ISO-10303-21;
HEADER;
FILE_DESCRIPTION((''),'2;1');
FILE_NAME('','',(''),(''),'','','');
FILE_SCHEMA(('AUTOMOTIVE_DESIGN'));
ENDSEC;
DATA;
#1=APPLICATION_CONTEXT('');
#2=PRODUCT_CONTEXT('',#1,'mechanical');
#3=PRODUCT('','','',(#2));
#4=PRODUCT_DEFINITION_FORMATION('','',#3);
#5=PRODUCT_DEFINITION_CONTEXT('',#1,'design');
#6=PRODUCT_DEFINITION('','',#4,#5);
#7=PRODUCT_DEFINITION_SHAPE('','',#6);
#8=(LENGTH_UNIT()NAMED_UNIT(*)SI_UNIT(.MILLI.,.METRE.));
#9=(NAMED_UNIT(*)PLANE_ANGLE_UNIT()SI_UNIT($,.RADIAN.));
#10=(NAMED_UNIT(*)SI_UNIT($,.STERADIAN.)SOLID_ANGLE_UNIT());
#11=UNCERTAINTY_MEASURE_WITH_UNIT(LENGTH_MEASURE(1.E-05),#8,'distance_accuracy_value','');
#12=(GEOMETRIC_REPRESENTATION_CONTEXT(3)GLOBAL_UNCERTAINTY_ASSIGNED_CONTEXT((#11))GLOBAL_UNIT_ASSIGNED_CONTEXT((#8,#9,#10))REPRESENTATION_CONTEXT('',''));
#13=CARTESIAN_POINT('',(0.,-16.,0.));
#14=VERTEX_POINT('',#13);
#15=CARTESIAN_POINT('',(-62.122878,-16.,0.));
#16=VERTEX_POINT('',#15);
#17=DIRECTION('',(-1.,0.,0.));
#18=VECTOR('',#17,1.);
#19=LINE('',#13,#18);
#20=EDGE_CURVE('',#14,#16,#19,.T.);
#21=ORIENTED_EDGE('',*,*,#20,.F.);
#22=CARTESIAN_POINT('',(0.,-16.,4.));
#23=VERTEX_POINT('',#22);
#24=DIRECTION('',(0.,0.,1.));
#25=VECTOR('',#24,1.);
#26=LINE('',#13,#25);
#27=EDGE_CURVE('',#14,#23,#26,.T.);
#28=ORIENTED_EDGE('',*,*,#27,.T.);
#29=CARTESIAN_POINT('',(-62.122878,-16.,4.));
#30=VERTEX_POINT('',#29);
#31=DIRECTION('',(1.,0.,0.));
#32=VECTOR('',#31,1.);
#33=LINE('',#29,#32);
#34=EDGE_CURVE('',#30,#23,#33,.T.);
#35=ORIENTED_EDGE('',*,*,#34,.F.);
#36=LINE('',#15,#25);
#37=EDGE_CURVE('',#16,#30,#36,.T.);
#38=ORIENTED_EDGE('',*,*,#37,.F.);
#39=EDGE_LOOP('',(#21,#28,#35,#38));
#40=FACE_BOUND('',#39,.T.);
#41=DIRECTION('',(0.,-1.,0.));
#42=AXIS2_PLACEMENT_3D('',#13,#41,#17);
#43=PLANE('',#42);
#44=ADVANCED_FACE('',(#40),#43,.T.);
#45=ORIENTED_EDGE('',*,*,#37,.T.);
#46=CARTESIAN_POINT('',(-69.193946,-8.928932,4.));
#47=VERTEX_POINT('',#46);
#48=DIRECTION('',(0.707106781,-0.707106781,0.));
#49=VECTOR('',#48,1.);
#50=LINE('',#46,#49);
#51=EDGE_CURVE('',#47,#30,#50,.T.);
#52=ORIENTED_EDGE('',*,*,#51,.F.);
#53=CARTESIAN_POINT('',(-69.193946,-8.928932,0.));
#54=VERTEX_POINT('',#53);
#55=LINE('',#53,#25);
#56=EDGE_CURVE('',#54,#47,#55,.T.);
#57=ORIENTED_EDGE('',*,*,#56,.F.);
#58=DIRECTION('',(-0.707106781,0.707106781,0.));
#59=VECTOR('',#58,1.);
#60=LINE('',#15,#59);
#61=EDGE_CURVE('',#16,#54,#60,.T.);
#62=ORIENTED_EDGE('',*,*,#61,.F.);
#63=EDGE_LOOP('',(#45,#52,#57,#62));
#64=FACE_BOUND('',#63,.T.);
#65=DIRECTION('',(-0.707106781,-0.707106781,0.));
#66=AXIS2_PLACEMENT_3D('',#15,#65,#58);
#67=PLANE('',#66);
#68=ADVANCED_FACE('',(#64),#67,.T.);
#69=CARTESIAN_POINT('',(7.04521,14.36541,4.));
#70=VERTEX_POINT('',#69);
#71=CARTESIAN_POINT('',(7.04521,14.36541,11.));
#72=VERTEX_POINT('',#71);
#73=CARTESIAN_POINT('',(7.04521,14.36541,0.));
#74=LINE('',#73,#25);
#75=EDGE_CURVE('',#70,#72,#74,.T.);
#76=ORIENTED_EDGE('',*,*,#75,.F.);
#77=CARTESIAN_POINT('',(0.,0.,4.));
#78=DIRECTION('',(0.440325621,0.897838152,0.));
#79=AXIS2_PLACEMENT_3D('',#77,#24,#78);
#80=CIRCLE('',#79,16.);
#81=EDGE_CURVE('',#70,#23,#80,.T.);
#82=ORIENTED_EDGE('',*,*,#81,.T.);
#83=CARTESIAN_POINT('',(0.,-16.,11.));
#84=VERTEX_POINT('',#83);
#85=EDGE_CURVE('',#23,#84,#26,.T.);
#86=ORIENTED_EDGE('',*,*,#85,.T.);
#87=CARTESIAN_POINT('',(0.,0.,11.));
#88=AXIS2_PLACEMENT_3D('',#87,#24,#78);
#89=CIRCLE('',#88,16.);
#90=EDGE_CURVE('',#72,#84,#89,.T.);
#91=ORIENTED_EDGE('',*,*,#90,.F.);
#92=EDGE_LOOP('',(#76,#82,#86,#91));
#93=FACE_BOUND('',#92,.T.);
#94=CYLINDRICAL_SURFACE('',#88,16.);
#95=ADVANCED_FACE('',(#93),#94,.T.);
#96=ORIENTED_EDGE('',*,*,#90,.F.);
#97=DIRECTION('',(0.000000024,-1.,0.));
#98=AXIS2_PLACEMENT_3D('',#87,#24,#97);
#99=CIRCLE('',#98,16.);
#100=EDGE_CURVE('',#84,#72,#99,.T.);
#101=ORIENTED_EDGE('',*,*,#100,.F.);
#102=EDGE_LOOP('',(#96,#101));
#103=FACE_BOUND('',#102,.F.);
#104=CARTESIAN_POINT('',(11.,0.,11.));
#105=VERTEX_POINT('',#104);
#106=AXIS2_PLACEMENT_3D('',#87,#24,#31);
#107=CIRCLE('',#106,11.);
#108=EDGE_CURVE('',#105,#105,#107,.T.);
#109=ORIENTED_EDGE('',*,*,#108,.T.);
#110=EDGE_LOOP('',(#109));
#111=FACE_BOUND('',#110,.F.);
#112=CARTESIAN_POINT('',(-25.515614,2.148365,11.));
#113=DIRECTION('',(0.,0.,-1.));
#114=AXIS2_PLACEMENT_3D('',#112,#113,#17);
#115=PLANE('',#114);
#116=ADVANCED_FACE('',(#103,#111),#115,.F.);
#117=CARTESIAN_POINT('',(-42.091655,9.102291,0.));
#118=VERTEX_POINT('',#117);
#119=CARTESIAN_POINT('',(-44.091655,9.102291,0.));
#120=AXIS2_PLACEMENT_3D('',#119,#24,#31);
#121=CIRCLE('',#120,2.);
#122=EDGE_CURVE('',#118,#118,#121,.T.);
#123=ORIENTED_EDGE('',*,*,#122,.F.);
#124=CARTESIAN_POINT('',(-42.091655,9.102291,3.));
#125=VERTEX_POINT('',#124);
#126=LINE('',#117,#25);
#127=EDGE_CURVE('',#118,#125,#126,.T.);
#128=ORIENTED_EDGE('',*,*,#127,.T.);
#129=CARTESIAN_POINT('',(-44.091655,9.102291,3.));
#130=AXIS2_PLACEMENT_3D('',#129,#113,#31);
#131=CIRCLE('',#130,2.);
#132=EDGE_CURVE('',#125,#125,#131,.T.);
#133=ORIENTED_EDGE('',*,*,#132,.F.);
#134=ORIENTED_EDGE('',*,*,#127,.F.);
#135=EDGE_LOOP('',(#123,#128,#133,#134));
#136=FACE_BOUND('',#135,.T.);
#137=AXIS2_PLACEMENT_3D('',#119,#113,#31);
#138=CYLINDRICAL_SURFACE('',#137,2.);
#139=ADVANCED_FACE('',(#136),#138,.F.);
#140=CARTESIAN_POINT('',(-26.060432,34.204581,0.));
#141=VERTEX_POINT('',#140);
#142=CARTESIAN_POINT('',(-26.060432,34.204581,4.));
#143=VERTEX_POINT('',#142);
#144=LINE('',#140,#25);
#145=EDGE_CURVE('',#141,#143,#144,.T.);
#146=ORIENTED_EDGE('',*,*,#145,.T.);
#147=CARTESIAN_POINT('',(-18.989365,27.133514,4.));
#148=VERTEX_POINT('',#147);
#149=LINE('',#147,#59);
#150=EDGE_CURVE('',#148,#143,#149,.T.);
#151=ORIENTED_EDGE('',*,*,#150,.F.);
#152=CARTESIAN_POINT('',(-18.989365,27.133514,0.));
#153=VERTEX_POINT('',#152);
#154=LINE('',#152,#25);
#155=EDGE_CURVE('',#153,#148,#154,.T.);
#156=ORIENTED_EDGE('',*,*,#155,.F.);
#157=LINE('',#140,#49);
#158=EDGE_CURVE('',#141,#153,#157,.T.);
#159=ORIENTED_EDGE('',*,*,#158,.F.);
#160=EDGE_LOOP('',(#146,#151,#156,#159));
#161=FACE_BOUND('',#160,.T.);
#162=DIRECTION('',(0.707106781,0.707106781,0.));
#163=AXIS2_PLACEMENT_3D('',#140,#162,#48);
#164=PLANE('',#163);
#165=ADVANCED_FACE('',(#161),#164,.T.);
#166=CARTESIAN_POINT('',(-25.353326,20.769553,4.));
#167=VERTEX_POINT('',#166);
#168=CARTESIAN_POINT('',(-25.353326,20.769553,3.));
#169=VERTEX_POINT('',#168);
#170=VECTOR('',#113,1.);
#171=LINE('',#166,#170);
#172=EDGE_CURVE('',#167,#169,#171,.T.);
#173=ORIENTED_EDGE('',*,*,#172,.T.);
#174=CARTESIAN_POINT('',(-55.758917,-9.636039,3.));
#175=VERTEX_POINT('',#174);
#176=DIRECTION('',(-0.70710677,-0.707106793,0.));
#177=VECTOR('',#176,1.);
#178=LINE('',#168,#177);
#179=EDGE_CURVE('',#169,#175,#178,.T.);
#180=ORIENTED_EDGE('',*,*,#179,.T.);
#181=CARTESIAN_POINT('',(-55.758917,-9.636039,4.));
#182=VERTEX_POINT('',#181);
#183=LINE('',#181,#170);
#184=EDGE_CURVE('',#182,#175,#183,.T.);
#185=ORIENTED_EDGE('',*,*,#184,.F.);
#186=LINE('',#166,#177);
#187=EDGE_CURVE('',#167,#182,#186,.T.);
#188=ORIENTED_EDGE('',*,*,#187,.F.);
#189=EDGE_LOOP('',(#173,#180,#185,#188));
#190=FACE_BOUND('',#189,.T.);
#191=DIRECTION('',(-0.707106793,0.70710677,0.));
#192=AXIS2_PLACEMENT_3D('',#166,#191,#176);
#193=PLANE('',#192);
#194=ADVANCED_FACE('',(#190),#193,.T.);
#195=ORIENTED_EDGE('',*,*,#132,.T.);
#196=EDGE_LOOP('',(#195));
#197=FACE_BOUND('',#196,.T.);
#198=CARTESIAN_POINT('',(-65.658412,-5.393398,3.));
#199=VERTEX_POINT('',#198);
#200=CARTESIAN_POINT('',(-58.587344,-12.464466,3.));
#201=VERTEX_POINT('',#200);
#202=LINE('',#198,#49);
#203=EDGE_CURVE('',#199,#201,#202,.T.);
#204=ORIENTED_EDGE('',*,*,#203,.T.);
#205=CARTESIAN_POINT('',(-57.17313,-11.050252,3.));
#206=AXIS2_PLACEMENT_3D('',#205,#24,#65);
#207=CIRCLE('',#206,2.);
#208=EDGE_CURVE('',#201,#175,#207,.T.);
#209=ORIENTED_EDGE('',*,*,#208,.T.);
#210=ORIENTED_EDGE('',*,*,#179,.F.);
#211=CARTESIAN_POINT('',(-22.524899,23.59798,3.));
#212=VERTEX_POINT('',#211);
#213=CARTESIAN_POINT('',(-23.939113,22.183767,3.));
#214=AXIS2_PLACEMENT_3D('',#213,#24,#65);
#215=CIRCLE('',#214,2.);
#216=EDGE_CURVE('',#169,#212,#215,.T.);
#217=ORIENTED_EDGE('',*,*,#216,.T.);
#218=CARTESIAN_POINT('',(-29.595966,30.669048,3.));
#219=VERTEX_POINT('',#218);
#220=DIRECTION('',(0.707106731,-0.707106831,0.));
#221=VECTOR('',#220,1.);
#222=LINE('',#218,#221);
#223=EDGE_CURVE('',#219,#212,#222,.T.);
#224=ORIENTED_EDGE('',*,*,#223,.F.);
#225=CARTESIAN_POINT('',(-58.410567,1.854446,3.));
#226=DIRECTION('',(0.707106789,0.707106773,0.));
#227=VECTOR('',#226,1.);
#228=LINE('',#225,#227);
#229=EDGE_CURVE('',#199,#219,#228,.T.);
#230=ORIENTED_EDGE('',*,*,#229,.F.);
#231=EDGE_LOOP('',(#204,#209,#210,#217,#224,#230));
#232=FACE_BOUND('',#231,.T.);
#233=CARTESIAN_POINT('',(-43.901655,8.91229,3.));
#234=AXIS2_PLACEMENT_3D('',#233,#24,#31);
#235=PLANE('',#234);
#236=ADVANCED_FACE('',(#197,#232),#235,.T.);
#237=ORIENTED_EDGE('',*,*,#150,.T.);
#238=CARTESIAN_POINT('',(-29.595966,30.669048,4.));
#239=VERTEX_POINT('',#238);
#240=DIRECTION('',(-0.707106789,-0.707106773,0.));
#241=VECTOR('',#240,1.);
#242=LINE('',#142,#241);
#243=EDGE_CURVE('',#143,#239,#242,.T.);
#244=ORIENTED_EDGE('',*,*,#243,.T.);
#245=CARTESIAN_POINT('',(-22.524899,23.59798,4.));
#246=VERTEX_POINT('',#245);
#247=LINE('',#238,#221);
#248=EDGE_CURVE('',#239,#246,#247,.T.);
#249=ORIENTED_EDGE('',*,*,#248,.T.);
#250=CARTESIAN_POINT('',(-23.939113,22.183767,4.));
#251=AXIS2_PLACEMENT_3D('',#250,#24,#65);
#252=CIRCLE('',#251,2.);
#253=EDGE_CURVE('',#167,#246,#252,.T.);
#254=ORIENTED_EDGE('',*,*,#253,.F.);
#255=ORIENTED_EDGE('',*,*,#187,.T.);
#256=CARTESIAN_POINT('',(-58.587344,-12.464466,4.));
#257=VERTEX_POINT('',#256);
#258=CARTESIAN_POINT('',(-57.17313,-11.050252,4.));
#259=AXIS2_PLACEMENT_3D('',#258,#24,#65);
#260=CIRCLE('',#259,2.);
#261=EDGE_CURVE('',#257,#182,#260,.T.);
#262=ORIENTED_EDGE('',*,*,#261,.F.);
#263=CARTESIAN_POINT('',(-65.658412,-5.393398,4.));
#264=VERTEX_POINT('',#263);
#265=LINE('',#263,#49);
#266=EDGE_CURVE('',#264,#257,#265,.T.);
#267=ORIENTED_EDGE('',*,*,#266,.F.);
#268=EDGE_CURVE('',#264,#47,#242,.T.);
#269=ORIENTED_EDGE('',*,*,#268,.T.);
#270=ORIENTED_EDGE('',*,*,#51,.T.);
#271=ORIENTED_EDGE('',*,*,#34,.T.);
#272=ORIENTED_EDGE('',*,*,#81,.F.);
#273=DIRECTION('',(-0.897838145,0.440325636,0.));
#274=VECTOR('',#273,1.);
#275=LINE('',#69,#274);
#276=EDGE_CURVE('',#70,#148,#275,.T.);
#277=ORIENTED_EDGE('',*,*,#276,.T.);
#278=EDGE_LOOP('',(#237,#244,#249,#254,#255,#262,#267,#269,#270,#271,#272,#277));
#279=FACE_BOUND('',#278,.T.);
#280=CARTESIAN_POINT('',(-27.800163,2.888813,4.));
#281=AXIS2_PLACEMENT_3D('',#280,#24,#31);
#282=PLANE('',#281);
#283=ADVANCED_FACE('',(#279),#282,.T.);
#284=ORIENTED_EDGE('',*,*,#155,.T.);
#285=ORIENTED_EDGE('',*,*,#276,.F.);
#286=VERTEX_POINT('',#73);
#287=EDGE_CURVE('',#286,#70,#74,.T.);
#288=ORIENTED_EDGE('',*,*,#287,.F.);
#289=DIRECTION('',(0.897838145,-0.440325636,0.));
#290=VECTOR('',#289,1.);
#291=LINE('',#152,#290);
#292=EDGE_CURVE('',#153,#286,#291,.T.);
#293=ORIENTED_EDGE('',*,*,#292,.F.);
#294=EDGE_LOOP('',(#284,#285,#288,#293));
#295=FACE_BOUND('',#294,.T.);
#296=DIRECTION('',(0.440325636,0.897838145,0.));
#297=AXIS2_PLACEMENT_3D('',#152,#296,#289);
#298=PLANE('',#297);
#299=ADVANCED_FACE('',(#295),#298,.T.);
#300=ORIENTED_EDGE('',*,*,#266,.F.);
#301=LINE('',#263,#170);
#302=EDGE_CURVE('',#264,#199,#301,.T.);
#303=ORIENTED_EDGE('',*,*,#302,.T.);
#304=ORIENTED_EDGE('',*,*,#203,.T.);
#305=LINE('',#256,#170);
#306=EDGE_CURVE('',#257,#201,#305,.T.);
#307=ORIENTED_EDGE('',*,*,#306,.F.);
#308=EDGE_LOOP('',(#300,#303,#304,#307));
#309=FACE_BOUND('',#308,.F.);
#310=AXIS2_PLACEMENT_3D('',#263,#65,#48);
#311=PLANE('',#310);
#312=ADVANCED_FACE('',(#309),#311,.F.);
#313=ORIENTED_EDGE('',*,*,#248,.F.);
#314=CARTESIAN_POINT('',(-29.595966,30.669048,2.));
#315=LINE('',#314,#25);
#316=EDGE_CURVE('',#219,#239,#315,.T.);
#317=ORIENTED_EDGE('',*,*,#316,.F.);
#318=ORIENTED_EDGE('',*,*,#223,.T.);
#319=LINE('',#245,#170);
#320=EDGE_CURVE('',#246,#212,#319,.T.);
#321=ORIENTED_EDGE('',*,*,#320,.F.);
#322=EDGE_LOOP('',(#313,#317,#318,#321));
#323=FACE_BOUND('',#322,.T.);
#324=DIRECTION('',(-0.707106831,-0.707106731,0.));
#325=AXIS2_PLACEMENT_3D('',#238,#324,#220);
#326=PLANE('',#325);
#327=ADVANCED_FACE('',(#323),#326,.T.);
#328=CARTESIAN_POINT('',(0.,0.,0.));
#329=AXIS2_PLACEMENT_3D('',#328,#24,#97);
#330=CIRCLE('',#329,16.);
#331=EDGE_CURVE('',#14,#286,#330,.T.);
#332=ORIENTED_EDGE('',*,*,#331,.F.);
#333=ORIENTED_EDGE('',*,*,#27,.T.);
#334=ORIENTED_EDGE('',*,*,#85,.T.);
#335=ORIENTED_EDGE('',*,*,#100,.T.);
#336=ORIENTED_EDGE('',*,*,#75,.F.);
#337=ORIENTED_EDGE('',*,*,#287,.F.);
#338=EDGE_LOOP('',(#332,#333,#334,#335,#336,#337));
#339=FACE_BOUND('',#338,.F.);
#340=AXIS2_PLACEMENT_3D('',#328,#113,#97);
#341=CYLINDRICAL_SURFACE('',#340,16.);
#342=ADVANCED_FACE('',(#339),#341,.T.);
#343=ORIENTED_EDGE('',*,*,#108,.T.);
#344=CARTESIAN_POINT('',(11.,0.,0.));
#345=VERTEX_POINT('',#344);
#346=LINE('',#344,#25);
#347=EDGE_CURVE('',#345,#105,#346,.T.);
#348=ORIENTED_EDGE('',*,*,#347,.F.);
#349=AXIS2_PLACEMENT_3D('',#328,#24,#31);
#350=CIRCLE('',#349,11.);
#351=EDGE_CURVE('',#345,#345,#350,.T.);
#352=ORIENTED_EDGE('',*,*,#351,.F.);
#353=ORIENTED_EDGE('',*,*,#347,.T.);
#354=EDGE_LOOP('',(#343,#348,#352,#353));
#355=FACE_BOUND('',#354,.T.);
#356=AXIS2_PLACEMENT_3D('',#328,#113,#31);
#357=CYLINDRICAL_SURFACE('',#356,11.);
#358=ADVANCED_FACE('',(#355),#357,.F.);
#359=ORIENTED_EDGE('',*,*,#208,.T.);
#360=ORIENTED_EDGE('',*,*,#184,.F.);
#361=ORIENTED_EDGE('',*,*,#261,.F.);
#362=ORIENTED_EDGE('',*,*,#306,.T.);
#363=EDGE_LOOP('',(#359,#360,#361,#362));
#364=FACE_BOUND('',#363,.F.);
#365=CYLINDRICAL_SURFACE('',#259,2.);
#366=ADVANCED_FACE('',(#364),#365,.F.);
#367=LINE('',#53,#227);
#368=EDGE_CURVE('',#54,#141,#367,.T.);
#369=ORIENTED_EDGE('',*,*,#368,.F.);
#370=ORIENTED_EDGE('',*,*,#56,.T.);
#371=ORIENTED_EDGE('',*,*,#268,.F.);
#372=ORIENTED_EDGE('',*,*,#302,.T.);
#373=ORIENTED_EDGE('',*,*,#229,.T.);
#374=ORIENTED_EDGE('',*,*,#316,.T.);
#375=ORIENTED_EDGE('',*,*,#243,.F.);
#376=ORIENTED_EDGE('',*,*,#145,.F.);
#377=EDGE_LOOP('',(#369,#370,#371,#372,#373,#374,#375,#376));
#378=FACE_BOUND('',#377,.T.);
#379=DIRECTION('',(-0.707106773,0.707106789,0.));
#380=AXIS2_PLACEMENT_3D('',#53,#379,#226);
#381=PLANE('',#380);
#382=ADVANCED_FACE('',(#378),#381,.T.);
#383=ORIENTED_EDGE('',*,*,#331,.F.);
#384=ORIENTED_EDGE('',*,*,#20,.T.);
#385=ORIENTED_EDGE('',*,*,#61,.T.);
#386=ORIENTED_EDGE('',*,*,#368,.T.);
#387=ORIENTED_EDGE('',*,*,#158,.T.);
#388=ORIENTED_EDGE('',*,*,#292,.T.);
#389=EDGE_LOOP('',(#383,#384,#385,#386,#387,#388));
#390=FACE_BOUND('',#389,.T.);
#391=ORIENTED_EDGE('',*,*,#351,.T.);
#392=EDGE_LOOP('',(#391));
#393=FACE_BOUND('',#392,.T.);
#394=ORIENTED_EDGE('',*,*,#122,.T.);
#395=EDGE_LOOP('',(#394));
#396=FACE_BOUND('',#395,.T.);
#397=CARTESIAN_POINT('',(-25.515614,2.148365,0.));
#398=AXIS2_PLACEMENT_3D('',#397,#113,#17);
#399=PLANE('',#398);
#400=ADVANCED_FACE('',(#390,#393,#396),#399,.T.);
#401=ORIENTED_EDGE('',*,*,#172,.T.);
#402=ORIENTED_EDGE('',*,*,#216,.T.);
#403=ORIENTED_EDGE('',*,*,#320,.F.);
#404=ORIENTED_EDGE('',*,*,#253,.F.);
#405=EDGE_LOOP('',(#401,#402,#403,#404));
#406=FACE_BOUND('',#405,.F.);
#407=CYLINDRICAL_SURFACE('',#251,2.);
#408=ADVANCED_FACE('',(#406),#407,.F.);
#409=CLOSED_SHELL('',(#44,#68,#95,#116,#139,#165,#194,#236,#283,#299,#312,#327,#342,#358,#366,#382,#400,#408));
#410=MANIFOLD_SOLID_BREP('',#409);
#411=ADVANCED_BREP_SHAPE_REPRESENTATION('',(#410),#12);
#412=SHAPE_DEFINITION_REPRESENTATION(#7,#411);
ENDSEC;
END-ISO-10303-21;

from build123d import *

# Parameters (mm, degrees)
SKETCH_R        = 11
SKETCH_R_2      = 2
PAD_DEPTH       = 11
POCKET_DEPTH    = 7
POCKET001_DEPTH = 1


with BuildPart() as part:
    # Sketch → Pad (new body)
    with BuildSketch(Plane.XY):
        with BuildLine():
            Line((0, -16), (-62.122878, -16))
            Line((-62.122878, -16), (-69.193946, -8.928932))
            Line((-69.193946, -8.928932), (-26.060432, 34.204581))
            Line((-26.060432, 34.204581), (-18.989365, 27.133514))
            Line((-18.989365, 27.133514), (7.04521, 14.36541))
            ThreePointArc((0, -16), (15.585996, -3.616174), (7.04521, 14.36541))
        make_face()
        Circle(SKETCH_R, mode=Mode.SUBTRACT)
        with Locations((-44.091655, 9.102291)):
            Circle(SKETCH_R_2, mode=Mode.SUBTRACT)
    extrude(amount=PAD_DEPTH)

    # Sketch002 → Pocket (cut)
    with BuildSketch(Plane.XY.offset(11)):
        with BuildLine():
            Line((7.04521, 14.36541), (-18.989365, 27.133514))
            Line((-18.989365, 27.133514), (-26.060432, 34.204581))
            Line((-26.060432, 34.204581), (-69.193946, -8.928932))
            Line((-69.193946, -8.928932), (-62.122878, -16))
            Line((-62.122878, -16), (0, -16))
            ThreePointArc((7.04521, 14.36541), (-15.585996, 3.616174), (0, -16))
        make_face()
    extrude(amount=-POCKET_DEPTH, mode=Mode.SUBTRACT)

    # Sketch003 → Pocket001 (cut)
    with BuildSketch(Plane.XY.offset(4)):
        with BuildLine():
            Line((-65.658412, -5.393398), (-58.587344, -12.464466))
            ThreePointArc((-58.587344, -12.464466), (-55.758917, -12.464466), (-55.758917, -9.636039))
            Line((-25.353326, 20.769553), (-55.758917, -9.636039))
            ThreePointArc((-25.353326, 20.769553), (-22.524899, 20.769553), (-22.524899, 23.59798))
            Line((-29.595966, 30.669048), (-22.524899, 23.59798))
            Line((-65.658412, -5.393398), (-29.595966, 30.669048))
        make_face()
    extrude(amount=-POCKET001_DEPTH, mode=Mode.SUBTRACT)


solid = part.part
